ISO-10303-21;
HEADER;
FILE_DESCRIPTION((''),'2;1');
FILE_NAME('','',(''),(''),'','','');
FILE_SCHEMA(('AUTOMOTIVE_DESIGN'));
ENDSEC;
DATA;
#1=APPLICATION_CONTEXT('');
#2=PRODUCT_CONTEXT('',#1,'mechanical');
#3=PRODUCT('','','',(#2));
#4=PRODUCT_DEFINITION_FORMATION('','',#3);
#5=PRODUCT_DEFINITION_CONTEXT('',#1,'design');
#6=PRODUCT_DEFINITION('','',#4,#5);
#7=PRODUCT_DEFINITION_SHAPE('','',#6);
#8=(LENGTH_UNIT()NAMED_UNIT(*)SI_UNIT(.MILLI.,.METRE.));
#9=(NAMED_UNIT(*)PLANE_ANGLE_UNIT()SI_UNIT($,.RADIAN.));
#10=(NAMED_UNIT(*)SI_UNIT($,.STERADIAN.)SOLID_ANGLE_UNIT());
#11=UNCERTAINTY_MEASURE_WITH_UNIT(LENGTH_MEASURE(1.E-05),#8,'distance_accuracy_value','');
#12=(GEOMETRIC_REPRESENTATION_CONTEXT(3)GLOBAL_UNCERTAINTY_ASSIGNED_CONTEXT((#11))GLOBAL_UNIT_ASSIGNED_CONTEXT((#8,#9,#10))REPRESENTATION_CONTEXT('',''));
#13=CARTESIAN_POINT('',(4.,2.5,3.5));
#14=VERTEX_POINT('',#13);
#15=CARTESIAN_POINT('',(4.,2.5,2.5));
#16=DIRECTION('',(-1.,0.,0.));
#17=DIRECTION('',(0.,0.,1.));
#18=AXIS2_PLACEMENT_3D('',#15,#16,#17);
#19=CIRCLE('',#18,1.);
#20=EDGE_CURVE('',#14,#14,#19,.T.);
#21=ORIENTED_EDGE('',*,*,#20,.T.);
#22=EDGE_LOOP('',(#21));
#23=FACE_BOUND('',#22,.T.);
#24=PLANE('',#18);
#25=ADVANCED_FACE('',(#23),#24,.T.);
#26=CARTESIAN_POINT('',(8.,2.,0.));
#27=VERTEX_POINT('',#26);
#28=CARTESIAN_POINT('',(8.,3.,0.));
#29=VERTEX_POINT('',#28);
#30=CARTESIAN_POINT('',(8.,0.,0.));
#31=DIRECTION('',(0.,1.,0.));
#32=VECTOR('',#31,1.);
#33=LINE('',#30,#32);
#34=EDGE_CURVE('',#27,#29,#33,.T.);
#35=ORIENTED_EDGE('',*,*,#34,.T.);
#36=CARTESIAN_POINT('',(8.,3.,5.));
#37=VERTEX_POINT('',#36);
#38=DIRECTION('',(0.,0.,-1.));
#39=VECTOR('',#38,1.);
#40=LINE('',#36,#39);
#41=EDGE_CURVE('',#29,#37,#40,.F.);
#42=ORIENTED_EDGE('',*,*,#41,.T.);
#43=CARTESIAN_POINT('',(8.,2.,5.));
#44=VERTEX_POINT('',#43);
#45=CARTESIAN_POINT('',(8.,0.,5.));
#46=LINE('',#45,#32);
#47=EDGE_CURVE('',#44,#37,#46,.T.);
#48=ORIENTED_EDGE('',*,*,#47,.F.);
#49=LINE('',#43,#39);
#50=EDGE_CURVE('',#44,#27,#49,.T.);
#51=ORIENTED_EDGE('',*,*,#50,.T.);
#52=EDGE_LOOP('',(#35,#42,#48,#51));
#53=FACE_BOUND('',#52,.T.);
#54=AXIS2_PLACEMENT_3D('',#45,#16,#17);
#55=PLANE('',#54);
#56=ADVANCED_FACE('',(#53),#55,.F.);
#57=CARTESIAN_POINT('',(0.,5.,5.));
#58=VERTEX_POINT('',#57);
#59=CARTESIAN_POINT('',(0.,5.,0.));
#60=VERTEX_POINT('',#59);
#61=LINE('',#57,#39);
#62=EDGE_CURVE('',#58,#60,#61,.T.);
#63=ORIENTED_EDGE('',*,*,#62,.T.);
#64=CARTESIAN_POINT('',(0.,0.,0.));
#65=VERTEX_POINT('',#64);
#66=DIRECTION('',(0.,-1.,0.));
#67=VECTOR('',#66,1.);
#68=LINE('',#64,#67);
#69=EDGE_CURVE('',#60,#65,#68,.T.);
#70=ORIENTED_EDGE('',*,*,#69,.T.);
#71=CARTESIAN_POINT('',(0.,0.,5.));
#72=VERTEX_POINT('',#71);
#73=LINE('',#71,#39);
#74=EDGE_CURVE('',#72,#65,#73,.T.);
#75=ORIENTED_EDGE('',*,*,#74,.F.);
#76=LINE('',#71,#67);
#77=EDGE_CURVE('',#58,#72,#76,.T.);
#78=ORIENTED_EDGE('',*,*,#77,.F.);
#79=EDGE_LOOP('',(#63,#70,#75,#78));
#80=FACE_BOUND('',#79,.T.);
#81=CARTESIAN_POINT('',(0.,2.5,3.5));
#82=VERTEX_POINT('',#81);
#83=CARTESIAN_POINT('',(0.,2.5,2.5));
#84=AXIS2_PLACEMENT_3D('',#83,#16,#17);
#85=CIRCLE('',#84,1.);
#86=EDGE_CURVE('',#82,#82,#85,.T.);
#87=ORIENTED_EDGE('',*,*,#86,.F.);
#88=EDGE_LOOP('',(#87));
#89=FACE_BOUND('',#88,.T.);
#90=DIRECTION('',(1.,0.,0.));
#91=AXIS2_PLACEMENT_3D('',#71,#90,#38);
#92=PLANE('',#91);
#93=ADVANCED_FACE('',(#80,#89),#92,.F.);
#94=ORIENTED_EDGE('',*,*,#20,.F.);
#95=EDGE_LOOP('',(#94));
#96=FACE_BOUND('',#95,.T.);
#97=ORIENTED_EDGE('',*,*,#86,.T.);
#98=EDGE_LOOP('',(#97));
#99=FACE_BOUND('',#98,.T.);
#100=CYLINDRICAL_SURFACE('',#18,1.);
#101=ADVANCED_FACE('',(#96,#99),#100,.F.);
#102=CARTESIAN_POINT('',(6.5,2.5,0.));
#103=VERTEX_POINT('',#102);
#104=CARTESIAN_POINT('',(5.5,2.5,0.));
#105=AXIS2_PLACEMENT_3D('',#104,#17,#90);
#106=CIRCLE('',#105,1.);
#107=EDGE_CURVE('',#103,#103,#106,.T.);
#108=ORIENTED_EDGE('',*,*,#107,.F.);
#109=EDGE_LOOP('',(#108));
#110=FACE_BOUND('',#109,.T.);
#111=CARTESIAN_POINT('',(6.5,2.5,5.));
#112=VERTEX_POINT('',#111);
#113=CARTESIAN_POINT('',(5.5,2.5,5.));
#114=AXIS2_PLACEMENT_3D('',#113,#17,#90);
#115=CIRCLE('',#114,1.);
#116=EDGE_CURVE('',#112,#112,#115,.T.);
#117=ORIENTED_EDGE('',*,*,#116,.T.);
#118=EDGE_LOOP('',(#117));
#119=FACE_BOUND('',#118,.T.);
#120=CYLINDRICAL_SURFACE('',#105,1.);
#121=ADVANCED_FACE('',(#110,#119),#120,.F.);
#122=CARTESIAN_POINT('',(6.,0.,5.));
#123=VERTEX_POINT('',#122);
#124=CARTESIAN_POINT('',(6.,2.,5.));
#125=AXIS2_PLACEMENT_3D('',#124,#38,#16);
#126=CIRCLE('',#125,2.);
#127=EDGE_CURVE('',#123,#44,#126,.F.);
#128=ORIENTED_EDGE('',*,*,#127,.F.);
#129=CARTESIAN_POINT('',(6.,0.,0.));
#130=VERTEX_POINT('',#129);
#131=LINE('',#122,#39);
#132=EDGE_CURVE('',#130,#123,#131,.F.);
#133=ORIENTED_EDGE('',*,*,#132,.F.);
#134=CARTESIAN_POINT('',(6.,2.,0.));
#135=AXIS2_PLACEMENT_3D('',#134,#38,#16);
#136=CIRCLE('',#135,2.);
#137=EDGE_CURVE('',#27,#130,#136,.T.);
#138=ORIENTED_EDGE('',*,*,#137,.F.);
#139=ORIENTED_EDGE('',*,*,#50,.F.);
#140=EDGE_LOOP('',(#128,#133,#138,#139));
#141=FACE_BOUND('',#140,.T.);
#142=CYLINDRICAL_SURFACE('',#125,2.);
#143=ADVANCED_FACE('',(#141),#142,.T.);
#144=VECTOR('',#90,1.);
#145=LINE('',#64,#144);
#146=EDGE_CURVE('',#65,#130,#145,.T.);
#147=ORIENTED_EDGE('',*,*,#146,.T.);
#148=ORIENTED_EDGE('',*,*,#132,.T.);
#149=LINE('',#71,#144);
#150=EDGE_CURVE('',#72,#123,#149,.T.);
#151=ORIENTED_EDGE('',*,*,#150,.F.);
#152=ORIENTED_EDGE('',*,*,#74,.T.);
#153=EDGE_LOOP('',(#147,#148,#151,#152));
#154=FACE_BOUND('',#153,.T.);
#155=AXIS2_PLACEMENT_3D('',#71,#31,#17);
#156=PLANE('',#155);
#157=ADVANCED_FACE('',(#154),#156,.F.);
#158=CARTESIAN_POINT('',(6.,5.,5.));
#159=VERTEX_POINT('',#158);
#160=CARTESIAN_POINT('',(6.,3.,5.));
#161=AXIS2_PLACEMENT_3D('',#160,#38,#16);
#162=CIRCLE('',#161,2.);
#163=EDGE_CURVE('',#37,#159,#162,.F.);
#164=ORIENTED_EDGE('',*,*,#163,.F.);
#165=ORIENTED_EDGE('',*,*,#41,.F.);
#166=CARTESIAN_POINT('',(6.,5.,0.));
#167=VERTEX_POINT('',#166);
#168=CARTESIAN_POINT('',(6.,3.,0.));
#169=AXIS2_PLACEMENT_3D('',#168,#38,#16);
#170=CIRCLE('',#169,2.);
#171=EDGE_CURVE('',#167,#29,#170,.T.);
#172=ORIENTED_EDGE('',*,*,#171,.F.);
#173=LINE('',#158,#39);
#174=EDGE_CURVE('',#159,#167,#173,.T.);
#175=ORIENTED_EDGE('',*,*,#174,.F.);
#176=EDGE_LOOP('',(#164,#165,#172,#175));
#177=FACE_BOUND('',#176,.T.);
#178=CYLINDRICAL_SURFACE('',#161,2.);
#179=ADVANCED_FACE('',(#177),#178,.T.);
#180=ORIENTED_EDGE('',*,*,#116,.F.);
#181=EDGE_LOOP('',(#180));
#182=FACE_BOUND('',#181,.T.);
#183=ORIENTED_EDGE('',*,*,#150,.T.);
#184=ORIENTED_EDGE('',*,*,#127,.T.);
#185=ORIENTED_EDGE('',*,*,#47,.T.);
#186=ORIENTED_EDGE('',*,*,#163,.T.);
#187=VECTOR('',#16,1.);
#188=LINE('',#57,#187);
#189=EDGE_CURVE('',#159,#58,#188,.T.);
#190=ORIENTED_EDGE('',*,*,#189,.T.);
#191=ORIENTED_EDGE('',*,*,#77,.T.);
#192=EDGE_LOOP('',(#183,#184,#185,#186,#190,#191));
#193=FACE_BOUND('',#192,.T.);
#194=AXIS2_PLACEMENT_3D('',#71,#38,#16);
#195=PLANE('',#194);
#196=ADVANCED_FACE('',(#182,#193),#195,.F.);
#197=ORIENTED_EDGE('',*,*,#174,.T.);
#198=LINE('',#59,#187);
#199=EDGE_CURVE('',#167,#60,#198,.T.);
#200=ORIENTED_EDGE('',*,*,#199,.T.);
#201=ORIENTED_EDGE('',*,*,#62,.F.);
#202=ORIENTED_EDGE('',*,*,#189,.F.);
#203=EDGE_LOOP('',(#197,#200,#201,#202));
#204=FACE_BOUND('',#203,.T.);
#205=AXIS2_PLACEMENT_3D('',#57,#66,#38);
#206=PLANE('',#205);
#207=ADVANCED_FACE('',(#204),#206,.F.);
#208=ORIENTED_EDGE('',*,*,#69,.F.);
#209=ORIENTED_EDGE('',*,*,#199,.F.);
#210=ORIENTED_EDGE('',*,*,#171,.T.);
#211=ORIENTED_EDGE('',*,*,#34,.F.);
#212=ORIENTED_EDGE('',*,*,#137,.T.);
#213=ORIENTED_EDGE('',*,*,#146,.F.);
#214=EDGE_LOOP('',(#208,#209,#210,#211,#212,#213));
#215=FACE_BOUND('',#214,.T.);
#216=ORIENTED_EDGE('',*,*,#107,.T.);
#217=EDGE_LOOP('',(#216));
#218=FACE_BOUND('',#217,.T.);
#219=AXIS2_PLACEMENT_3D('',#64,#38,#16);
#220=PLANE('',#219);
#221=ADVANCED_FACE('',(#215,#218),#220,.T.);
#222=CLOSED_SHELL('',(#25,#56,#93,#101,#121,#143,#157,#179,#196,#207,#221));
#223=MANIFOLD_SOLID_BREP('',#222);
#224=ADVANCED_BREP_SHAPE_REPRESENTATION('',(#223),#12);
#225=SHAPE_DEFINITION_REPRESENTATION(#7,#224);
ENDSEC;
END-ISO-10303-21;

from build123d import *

# Parameters (mm, degrees)
SKETCH1_W           = 8
SKETCH1_H           = 5
BOSS_EXTRUDE1_DEPTH = 5
SKETCH2_R           = 1
CUT_EXTRUDE1_DEPTH  = 4
SKETCH3_R           = 1
CUT_EXTRUDE4_DEPTH  = 5
FILLET1_R           = 2


with BuildPart() as part:
    # Sketch1 → Boss-Extrude1 (new body)
    with BuildSketch(Plane.XY):
        with Locations((4, 2.5)):
            Rectangle(SKETCH1_W, SKETCH1_H)
    extrude(amount=BOSS_EXTRUDE1_DEPTH)

    # Sketch2 → Cut-Extrude1 (cut)
    with BuildSketch(Plane.ZY):
        with Locations((2.5, 2.5)):
            Circle(SKETCH2_R)
    extrude(amount=-CUT_EXTRUDE1_DEPTH, mode=Mode.SUBTRACT)

    # Sketch3 → Cut-Extrude4 (cut)
    with BuildSketch(Plane.XY.offset(5)):
        with Locations((5.5, 2.5)):
            Circle(SKETCH3_R)
    extrude(amount=-CUT_EXTRUDE4_DEPTH, mode=Mode.SUBTRACT)

    # Fillet1
    fillet1_edges = [part.edges().sort_by_distance(p)[0] for p in [
        (8, 5, 2.5),
        (8, 0, 2.5),
    ]]
    fillet(fillet1_edges, radius=FILLET1_R)


solid = part.part
